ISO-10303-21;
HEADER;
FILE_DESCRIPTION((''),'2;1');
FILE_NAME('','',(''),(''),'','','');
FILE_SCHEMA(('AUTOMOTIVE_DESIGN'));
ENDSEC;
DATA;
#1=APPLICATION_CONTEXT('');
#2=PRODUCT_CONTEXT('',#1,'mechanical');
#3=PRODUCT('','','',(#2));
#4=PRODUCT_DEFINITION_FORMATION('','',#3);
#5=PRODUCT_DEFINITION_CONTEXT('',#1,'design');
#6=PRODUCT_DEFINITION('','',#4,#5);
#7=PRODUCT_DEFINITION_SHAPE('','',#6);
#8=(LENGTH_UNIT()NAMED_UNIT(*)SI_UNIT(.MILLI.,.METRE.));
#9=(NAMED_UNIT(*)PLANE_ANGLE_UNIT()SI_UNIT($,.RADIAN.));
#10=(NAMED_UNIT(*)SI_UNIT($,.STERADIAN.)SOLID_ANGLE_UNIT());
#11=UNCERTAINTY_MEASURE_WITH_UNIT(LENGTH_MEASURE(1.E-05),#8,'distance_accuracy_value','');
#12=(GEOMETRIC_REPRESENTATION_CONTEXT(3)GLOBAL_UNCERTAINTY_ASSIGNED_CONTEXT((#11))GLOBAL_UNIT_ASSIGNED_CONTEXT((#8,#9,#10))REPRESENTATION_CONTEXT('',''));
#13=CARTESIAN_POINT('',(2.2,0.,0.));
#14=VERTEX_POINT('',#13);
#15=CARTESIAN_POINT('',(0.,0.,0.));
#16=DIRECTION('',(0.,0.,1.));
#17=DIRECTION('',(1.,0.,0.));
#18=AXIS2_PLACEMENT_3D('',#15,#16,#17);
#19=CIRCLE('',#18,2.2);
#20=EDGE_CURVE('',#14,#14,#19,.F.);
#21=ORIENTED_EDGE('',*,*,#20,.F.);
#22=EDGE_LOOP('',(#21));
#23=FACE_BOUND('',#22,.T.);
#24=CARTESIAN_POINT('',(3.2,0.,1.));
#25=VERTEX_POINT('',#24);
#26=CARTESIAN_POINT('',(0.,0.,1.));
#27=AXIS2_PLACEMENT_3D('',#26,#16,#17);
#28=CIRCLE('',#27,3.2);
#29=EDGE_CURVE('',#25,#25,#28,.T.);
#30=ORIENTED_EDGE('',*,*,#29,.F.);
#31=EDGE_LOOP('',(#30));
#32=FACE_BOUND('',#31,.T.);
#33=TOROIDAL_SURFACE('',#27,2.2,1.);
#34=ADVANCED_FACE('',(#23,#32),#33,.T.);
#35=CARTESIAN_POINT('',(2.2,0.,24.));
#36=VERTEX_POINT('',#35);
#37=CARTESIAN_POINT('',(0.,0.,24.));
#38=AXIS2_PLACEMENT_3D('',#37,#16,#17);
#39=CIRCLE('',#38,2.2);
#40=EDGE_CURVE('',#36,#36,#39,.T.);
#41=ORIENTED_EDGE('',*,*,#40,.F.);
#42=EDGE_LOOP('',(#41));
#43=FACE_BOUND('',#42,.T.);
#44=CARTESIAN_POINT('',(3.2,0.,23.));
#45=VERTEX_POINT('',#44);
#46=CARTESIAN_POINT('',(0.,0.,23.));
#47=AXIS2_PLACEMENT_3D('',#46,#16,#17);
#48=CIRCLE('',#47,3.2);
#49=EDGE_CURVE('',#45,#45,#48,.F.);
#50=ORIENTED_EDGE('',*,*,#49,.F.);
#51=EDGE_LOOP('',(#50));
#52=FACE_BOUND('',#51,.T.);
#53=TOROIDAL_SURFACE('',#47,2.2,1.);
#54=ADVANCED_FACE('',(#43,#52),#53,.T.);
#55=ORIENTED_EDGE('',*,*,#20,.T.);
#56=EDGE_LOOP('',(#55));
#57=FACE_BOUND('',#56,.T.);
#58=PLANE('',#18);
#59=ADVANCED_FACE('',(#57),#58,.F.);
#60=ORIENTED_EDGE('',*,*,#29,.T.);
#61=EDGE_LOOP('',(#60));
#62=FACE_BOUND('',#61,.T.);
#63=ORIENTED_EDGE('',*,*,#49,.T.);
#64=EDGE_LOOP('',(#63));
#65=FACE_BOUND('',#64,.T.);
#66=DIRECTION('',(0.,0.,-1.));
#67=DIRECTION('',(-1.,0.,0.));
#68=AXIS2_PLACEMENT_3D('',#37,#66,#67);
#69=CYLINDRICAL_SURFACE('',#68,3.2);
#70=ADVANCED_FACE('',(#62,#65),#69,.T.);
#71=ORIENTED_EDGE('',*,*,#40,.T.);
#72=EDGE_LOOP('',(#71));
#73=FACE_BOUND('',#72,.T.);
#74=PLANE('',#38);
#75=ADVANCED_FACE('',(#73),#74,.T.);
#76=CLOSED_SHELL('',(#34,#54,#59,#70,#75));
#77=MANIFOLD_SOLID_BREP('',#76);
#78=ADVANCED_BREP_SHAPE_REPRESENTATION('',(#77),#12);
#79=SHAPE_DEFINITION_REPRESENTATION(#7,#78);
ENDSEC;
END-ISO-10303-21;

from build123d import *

# Parameters (mm, degrees)
SKETCH_1_R      = 3.2
EXTRUDE_1_DEPTH = 24
FILLET_1_R      = 1


with BuildPart() as part:
    # 스케치1 → 보스-돌출1 (new body)
    with BuildSketch(Plane.XY):
        Circle(SKETCH_1_R)
    extrude(amount=EXTRUDE_1_DEPTH)

    # 필렛1
    fillet_1_edges = [part.edges().sort_by_distance(p)[0] for p in [
        (-3.2, 0, 0),
        (-3.2, 0, 24),
    ]]
    fillet(fillet_1_edges, radius=FILLET_1_R)


solid = part.part
